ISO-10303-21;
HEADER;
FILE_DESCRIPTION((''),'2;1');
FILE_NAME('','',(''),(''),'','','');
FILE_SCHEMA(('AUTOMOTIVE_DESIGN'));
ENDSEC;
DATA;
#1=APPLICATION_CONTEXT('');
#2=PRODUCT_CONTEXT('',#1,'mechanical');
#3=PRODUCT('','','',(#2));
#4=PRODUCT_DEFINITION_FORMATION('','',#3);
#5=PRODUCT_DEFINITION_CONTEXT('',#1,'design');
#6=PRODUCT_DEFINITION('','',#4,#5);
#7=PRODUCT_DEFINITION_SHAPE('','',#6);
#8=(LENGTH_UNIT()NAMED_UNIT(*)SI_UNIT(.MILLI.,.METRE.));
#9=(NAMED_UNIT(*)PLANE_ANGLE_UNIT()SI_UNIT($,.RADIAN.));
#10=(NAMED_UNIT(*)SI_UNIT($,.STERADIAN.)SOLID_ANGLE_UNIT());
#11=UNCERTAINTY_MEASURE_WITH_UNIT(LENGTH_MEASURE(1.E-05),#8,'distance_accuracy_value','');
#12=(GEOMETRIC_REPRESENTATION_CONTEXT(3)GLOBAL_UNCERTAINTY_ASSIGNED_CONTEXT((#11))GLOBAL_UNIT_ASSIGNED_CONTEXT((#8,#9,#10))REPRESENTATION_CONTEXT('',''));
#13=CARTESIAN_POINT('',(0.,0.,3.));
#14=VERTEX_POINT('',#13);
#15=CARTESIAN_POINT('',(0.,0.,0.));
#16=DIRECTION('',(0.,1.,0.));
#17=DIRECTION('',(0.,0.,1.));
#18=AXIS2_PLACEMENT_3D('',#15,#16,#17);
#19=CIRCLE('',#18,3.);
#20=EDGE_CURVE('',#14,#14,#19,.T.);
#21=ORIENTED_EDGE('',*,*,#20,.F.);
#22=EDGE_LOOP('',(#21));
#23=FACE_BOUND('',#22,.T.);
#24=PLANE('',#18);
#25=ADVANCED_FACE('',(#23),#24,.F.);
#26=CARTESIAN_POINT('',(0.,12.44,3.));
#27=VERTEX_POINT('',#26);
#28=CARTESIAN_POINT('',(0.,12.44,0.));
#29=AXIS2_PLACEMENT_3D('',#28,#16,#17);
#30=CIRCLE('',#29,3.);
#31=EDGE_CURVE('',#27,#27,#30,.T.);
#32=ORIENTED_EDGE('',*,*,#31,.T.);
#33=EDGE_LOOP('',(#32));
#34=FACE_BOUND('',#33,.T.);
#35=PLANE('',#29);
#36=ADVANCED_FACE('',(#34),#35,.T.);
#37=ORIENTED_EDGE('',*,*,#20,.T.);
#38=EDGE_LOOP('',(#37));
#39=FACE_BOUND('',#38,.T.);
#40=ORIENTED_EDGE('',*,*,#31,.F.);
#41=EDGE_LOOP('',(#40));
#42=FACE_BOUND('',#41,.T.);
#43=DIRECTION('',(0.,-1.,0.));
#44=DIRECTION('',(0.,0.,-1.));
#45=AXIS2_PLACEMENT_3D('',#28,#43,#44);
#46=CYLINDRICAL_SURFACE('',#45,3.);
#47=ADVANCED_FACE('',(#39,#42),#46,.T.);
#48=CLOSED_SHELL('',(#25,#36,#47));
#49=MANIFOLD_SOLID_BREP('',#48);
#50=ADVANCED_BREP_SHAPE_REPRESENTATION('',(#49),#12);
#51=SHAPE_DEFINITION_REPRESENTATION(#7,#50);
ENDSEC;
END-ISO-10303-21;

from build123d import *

# Parameters (mm, degrees)
SKETCH1_R           = 3
BOSS_EXTRUDE1_DEPTH = 12.44


with BuildPart() as part:
    # Sketch1 → Boss-Extrude1 (new body)
    with BuildSketch(Plane(origin=(0, 0, 0), x_dir=(1, 0, 0), z_dir=(0, 1, 0))):
        with Locations(Location((0, 0, 0), (0, 0, 270))):
            Circle(SKETCH1_R)
    extrude(amount=BOSS_EXTRUDE1_DEPTH)


solid = part.part
